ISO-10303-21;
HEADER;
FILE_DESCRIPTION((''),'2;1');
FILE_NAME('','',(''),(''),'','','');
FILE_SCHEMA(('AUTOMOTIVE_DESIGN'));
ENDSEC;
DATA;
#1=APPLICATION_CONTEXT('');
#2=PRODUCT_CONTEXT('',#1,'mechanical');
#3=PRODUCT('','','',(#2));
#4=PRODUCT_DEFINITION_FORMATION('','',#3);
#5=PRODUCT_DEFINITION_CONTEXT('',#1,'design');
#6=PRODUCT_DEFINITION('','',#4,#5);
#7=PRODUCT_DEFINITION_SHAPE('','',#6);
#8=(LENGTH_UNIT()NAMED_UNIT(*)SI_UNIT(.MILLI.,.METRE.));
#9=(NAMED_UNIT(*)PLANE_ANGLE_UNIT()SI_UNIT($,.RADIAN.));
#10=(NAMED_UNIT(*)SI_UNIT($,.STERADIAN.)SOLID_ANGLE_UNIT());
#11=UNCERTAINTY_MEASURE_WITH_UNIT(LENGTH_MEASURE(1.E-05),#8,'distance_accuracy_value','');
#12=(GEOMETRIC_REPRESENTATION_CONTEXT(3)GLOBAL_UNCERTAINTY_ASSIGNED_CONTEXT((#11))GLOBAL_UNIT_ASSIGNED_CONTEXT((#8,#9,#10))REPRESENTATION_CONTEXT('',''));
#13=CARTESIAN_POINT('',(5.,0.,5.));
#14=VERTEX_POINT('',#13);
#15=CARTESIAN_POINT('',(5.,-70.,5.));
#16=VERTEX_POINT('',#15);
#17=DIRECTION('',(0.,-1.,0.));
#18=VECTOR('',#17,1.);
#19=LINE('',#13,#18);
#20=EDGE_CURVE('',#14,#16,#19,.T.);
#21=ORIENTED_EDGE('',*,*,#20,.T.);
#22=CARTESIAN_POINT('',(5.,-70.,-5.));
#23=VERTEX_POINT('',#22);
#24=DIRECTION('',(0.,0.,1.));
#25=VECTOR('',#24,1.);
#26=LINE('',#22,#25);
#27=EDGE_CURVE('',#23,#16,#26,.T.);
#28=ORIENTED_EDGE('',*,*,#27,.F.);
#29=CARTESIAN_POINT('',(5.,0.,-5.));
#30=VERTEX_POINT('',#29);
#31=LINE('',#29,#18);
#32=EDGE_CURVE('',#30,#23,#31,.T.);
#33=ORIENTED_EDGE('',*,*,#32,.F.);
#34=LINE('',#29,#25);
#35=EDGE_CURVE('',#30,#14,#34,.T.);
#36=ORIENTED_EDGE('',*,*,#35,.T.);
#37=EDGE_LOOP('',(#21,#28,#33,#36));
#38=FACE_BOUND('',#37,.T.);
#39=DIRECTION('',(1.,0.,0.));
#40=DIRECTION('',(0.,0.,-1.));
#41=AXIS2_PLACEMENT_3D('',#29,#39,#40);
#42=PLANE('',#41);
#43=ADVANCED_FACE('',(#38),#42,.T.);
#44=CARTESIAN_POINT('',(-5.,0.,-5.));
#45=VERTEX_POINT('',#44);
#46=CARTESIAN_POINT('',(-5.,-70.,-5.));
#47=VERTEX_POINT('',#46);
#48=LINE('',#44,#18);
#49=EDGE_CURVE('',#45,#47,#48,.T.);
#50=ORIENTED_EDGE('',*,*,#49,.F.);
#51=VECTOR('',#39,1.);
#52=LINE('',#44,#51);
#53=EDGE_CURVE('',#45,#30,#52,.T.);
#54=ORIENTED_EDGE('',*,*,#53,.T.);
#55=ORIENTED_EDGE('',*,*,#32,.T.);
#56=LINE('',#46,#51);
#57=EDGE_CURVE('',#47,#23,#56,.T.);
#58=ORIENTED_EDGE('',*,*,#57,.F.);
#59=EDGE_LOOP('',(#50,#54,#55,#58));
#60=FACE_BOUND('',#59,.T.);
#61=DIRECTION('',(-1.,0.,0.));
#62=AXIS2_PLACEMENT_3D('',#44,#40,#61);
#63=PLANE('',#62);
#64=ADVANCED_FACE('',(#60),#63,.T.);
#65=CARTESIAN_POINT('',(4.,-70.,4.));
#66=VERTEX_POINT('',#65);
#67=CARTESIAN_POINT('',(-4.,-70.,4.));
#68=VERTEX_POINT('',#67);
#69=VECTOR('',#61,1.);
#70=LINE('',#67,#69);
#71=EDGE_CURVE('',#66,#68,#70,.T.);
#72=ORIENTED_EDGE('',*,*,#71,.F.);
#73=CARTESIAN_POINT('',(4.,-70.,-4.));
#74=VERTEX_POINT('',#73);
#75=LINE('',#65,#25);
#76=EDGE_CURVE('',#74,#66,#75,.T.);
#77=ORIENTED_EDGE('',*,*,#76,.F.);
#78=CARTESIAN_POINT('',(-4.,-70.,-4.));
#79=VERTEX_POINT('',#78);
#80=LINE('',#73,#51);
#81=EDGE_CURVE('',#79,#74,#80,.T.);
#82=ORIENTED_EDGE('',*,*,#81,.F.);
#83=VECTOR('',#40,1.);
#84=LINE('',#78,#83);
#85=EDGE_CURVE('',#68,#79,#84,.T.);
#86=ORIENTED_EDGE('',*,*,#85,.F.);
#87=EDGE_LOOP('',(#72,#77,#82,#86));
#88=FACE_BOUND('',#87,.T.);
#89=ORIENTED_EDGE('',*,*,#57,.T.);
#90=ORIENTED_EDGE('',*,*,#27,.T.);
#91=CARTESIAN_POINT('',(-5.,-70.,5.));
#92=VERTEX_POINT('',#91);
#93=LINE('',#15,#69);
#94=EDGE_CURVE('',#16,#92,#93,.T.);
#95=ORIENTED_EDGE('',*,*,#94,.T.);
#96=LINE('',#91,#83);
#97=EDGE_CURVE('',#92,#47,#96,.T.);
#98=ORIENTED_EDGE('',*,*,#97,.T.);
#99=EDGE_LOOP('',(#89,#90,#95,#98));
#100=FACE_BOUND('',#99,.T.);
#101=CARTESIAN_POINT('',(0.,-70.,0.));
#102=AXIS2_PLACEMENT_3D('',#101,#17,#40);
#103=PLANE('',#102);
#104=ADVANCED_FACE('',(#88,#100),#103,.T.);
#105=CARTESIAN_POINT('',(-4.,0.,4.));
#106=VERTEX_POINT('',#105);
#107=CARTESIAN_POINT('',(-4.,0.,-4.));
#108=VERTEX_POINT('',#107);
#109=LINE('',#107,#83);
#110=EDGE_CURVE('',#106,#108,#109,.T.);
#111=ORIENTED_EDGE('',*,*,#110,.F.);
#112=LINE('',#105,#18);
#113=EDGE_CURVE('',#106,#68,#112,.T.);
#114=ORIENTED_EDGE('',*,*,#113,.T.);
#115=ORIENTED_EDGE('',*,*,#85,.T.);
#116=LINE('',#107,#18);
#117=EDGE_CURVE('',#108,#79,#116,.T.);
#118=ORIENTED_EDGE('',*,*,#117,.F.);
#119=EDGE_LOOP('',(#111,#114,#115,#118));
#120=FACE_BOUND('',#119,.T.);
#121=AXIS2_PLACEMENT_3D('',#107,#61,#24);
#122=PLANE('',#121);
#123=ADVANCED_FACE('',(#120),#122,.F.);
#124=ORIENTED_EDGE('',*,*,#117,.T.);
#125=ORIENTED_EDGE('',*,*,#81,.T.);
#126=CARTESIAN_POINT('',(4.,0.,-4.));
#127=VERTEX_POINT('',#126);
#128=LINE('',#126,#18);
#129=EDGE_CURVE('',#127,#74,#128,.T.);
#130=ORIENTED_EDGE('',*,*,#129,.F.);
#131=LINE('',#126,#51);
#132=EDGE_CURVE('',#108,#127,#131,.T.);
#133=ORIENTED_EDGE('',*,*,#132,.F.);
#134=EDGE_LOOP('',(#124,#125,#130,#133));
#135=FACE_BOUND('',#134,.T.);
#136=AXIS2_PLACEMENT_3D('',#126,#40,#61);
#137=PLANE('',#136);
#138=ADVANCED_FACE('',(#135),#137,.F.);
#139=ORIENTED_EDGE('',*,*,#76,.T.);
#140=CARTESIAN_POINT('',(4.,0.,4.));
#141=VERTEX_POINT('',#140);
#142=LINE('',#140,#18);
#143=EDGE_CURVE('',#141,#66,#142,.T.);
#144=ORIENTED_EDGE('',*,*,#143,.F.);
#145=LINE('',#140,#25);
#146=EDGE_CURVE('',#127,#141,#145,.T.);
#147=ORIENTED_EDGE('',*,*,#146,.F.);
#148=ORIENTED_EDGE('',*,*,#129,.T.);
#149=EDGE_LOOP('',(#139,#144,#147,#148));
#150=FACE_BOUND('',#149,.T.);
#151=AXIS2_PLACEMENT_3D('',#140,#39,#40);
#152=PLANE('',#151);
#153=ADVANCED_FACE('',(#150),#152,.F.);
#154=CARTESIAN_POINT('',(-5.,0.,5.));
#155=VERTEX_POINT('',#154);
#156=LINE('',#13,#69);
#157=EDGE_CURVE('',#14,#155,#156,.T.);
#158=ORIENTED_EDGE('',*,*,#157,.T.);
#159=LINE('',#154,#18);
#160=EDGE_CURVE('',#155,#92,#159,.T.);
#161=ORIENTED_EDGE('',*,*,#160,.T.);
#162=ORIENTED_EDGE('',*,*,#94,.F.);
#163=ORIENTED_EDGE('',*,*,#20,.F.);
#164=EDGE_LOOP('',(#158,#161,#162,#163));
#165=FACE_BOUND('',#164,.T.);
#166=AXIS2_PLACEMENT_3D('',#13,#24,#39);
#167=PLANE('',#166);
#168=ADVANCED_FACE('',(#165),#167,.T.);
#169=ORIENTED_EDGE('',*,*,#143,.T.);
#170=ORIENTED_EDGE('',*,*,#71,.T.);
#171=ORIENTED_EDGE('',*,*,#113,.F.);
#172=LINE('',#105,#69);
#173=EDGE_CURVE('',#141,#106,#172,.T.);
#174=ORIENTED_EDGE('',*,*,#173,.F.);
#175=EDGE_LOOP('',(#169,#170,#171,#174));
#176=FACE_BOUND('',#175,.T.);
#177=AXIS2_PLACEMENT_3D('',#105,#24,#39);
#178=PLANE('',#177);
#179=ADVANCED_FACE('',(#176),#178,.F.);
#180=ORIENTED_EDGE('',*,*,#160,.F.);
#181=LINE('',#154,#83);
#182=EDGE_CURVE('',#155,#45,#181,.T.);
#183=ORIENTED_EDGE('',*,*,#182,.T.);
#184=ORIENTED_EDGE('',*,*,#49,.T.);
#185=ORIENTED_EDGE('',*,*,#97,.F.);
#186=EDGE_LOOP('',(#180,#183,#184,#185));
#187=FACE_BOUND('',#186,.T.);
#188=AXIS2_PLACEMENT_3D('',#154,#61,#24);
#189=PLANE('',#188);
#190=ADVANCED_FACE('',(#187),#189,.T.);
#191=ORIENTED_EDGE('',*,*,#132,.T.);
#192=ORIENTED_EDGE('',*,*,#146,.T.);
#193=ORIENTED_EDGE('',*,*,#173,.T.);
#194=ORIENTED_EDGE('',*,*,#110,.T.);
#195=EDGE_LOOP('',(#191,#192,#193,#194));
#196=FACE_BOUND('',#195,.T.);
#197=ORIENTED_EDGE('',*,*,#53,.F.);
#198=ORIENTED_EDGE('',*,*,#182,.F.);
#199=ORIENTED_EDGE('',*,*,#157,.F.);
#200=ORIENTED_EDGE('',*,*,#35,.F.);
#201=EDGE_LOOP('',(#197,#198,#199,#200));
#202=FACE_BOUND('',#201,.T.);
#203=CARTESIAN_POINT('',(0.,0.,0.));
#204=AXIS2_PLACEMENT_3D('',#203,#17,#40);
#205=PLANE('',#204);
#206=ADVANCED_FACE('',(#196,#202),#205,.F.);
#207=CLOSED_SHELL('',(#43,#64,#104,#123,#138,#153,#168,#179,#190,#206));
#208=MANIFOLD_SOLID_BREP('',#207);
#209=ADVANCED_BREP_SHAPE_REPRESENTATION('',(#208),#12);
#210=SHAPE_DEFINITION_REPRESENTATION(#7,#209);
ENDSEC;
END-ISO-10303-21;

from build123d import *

# Parameters (mm, degrees)
SKETCH_1_W      = 10
SKETCH_1_H      = 10
SKETCH_1_W_2    = 8
SKETCH_1_H_2    = 8
EXTRUDE_1_DEPTH = 70


with BuildPart() as part:
    # 草图1 → 凸台-拉伸1 (new body)
    with BuildSketch(Plane.XZ.offset(70)):
        Rectangle(SKETCH_1_W, SKETCH_1_H)
        Rectangle(SKETCH_1_W_2, SKETCH_1_H_2, mode=Mode.SUBTRACT)
    extrude(amount=-EXTRUDE_1_DEPTH)


solid = part.part
